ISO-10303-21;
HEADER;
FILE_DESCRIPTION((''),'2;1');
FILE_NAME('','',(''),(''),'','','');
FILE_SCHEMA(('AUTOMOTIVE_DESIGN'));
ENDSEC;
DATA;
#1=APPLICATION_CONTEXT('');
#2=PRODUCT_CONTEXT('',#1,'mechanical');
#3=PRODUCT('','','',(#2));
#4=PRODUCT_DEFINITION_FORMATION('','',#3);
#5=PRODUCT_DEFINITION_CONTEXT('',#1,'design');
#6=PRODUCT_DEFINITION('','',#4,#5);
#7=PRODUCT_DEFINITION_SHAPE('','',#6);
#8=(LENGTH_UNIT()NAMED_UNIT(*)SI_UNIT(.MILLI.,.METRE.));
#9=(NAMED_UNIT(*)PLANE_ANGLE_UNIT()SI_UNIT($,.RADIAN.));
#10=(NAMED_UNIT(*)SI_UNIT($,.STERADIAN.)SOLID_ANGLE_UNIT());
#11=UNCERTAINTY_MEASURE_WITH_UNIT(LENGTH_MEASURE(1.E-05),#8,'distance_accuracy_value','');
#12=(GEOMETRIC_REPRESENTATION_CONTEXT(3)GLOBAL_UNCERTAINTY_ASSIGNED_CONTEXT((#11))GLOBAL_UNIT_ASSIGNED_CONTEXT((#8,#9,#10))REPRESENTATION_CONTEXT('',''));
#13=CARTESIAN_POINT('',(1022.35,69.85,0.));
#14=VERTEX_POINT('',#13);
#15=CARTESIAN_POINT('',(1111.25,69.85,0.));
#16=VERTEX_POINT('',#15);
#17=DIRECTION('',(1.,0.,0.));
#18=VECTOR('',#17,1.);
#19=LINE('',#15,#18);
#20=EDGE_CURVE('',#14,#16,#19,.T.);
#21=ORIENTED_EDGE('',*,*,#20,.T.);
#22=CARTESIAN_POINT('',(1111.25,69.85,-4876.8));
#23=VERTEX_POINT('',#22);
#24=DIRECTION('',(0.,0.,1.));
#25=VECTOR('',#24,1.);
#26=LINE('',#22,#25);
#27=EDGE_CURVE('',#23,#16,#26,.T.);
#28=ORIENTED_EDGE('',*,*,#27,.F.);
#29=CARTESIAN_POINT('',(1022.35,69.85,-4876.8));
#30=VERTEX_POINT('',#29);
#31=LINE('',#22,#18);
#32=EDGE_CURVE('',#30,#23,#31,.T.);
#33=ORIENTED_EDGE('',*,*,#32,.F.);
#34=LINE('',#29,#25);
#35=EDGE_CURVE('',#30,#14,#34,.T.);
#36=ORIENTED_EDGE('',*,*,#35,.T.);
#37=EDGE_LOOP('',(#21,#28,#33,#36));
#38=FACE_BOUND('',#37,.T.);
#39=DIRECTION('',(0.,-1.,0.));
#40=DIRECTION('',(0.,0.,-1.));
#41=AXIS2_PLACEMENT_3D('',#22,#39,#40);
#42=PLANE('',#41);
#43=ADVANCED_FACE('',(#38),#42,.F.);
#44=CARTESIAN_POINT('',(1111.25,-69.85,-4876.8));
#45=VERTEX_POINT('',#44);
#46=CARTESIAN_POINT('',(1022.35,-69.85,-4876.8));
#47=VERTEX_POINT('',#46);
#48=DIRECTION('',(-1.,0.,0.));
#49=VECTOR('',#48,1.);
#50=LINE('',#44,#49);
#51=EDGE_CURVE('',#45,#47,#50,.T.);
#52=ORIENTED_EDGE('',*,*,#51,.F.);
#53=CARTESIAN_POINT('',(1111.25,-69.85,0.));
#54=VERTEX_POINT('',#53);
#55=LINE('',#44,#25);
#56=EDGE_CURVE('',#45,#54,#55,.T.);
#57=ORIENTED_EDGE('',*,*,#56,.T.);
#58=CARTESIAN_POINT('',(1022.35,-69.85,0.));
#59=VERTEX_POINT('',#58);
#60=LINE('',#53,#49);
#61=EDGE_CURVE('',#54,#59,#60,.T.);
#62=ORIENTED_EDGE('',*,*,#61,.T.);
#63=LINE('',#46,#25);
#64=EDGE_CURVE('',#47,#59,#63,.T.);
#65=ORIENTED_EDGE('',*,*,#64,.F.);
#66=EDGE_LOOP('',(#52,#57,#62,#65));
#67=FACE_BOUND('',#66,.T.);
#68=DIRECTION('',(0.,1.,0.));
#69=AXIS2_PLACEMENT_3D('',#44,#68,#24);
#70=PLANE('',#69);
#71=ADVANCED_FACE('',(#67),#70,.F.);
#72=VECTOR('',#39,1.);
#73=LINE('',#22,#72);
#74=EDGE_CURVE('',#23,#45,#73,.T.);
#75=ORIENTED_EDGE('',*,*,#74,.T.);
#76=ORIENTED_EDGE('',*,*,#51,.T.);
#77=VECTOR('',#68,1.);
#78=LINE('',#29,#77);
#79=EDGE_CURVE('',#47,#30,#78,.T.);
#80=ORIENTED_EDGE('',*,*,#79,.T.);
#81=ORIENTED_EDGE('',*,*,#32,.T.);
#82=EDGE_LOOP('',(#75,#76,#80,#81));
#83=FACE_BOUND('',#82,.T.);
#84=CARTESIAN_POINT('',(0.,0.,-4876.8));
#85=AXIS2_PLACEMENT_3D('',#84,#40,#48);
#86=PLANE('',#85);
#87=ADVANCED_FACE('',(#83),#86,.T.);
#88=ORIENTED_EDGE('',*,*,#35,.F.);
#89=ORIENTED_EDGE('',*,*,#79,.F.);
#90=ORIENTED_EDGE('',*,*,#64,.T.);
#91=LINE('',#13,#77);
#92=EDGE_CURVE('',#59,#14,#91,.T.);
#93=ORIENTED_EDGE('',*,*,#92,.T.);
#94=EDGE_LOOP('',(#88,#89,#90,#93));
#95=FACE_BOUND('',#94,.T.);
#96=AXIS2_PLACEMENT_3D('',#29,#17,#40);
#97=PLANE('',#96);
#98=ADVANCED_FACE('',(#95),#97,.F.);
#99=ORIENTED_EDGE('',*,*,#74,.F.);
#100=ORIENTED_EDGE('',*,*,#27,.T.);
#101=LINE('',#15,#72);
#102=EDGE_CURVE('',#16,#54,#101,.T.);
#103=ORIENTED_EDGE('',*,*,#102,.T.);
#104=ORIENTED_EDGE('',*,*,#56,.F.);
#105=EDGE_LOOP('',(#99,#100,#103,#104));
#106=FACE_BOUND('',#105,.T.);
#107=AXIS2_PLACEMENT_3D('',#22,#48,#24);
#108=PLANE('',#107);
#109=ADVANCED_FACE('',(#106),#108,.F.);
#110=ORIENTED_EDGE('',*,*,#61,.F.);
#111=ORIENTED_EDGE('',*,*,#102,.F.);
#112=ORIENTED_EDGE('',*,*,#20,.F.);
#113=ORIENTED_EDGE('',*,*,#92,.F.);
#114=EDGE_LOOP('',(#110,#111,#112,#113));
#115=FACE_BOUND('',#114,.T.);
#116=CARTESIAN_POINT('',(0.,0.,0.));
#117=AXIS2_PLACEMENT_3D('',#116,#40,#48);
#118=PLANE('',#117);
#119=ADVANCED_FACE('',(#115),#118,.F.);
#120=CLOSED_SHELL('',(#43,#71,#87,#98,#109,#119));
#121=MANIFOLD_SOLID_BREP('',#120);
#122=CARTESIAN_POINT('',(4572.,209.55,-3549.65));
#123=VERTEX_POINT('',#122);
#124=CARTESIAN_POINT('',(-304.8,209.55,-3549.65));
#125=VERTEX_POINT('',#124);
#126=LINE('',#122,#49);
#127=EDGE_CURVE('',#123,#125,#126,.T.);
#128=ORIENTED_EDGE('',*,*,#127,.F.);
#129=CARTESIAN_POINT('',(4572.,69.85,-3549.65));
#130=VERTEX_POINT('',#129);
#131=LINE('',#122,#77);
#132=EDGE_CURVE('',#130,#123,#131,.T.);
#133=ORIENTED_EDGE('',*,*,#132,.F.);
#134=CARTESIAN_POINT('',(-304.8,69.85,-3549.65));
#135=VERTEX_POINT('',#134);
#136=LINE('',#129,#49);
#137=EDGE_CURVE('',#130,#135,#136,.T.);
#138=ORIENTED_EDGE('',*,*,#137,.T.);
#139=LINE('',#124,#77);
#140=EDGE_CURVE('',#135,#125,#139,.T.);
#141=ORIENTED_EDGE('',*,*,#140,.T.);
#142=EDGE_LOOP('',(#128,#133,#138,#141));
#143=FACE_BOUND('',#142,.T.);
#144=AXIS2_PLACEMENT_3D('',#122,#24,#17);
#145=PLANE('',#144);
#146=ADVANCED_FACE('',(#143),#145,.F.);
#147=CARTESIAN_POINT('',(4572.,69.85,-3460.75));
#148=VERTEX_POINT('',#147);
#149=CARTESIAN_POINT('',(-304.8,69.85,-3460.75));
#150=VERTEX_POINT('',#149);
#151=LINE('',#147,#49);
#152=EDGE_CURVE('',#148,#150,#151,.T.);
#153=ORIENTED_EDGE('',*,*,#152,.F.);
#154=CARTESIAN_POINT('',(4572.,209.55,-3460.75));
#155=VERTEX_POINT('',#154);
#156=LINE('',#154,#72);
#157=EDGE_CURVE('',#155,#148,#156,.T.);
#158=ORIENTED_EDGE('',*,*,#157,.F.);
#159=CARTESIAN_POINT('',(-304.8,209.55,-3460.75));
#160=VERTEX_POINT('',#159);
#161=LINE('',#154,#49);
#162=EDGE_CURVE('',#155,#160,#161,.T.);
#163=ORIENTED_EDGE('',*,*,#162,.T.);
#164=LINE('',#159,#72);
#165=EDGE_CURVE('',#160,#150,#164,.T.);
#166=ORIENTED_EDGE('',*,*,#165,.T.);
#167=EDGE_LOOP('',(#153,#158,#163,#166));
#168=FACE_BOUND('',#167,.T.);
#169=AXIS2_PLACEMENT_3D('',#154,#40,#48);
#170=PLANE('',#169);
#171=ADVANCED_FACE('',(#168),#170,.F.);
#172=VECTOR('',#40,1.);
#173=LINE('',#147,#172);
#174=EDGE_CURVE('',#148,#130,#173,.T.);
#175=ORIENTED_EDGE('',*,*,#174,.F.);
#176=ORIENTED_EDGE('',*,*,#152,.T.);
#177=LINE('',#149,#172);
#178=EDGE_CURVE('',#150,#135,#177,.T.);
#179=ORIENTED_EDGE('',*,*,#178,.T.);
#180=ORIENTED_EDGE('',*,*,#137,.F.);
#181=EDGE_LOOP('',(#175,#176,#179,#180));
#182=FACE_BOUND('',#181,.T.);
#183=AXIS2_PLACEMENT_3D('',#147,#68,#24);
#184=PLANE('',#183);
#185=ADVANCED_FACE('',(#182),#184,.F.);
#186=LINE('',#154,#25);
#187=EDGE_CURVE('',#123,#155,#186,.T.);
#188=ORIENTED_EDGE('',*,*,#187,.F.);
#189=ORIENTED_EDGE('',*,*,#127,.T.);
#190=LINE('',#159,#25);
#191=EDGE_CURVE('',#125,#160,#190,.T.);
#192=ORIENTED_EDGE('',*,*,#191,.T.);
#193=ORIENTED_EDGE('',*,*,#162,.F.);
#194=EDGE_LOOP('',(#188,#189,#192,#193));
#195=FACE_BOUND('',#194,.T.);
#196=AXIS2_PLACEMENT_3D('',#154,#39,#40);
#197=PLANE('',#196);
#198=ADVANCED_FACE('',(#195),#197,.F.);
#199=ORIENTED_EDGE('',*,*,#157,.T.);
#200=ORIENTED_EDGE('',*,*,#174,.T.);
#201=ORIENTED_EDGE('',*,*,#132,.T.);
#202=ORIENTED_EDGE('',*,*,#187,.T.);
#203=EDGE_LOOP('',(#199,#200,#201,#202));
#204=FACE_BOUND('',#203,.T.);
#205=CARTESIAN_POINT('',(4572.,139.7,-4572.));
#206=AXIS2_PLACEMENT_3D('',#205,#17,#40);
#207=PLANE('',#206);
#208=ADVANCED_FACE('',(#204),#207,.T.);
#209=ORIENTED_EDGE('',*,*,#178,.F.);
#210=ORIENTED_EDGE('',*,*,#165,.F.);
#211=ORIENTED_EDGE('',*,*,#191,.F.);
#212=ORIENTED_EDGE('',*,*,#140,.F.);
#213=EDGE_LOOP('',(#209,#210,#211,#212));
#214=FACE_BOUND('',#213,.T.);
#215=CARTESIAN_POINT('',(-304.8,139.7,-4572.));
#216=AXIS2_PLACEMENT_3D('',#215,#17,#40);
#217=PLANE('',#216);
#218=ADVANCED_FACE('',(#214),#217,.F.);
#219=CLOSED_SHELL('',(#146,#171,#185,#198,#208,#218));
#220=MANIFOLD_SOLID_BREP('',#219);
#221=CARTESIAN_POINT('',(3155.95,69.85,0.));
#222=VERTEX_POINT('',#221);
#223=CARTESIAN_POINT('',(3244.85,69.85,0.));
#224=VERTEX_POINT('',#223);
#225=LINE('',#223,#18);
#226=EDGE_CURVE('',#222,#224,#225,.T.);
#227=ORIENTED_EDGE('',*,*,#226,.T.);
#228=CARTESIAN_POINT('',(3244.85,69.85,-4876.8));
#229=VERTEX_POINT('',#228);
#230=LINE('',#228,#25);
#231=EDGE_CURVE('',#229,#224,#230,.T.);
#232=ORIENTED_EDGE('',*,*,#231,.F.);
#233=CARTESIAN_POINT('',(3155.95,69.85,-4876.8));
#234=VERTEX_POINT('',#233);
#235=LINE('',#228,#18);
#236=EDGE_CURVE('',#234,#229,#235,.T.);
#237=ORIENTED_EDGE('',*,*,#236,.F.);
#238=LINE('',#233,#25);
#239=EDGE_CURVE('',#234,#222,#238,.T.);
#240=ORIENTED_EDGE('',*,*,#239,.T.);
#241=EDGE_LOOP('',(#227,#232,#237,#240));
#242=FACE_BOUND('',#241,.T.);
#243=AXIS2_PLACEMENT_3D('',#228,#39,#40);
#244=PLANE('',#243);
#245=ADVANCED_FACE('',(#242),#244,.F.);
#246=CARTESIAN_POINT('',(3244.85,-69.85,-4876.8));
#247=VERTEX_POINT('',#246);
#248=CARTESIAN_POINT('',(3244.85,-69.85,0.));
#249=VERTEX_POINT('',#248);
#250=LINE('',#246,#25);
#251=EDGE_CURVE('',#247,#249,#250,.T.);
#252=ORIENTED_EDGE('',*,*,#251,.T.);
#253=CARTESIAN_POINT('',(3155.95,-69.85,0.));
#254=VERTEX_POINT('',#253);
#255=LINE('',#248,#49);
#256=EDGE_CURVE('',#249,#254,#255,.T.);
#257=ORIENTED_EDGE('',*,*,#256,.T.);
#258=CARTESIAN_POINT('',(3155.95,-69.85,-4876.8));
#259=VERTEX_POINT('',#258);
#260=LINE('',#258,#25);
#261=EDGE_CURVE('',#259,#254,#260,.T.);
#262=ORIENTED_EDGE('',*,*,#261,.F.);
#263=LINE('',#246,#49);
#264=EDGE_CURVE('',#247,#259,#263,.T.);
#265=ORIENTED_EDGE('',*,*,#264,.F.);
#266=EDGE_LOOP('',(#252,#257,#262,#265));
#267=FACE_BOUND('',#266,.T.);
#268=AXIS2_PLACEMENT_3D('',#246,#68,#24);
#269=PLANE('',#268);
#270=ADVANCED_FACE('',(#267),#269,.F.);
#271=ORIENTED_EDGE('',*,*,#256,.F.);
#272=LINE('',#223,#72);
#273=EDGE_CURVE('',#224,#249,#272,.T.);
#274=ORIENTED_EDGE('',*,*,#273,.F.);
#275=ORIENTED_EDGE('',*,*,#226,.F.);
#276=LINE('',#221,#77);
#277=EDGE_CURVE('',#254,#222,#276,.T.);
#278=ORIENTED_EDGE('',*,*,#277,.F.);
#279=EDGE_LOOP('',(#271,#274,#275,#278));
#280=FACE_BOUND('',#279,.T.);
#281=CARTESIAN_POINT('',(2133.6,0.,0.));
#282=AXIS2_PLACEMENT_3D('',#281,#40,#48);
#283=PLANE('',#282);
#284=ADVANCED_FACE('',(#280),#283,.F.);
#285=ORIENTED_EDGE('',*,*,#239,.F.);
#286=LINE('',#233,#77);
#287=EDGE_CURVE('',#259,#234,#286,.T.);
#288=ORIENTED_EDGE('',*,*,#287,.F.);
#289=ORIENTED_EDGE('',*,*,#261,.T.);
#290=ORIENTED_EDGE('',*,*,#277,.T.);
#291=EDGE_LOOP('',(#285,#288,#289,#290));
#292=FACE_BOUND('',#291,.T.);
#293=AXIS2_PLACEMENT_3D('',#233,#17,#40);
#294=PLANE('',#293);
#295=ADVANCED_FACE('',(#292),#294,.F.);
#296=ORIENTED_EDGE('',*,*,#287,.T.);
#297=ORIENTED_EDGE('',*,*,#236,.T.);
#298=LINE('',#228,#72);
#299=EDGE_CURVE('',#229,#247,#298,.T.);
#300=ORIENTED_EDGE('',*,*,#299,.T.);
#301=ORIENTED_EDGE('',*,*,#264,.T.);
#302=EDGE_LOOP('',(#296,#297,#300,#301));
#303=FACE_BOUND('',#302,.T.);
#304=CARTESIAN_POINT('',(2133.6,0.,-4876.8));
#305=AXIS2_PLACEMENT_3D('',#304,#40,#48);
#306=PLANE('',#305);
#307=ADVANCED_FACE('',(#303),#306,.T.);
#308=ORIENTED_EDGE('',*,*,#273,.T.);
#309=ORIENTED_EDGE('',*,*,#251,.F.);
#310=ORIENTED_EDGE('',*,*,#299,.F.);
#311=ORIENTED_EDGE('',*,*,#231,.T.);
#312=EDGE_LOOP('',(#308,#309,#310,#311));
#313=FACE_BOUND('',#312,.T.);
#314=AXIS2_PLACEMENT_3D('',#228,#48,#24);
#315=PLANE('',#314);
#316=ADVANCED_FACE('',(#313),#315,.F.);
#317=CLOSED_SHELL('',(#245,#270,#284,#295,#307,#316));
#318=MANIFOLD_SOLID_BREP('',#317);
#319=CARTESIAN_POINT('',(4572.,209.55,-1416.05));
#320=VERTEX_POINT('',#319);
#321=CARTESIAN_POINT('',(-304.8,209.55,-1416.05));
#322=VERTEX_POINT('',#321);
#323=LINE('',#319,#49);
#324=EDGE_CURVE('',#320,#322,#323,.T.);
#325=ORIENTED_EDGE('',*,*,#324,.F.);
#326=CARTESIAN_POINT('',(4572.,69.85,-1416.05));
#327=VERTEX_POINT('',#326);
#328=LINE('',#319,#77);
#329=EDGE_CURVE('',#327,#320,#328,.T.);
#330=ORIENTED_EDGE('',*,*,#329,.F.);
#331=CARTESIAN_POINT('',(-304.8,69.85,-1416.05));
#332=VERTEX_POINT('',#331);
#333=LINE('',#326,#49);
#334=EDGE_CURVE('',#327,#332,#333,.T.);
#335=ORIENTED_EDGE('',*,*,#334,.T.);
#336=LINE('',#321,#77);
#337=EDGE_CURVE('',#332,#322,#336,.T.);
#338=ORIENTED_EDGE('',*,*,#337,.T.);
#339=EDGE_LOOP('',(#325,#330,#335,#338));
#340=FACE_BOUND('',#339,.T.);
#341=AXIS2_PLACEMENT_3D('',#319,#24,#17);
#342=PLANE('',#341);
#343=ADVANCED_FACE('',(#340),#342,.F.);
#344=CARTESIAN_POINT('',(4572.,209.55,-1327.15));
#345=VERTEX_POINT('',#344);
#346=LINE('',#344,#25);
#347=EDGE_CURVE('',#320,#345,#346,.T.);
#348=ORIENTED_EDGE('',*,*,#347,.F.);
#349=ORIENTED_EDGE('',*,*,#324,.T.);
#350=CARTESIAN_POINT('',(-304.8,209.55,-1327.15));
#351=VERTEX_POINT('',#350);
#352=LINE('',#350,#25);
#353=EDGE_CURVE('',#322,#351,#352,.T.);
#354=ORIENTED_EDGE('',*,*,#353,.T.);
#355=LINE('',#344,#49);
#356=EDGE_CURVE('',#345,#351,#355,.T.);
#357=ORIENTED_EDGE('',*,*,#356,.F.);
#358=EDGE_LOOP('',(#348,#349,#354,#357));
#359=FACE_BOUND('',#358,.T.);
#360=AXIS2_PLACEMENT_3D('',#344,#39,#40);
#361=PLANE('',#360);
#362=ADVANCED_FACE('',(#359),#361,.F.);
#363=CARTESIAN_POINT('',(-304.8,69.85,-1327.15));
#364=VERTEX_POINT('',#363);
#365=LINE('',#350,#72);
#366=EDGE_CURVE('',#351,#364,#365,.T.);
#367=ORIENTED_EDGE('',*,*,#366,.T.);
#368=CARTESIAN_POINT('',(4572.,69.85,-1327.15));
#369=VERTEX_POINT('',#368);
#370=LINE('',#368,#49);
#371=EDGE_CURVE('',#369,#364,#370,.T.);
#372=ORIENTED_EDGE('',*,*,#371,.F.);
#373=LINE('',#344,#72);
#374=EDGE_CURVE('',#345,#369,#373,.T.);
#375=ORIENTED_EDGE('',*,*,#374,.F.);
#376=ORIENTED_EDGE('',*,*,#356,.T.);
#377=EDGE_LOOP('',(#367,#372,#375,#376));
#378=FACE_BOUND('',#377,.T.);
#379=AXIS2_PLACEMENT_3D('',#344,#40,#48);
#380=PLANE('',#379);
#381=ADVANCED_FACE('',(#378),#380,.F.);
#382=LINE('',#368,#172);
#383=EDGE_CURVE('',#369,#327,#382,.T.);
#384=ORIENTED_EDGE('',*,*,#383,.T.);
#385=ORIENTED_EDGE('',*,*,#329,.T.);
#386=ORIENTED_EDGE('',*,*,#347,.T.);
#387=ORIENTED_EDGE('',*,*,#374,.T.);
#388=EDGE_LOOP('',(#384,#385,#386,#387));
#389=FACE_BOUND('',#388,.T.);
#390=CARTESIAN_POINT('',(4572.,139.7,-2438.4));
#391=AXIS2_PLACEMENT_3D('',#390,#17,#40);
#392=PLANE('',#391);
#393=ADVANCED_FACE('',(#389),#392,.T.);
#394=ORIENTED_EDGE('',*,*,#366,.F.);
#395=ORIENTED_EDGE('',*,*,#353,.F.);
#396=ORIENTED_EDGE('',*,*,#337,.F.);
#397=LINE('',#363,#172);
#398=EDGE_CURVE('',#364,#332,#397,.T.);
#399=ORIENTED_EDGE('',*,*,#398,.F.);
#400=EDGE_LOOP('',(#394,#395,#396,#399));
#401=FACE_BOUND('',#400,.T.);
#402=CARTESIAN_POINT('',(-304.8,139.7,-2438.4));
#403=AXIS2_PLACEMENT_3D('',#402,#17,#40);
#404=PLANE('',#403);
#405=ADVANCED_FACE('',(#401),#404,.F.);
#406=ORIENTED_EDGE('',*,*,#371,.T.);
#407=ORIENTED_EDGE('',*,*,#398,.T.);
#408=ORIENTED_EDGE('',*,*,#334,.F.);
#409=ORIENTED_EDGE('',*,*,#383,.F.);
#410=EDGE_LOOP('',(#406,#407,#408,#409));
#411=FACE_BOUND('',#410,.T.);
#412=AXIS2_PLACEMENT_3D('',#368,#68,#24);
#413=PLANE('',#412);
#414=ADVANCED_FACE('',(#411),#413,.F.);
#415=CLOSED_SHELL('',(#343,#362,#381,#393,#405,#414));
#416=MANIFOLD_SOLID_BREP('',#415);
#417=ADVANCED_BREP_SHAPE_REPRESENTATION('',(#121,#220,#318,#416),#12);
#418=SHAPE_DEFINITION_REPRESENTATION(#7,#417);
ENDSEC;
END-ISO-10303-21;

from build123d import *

# Parameters (mm, degrees)
SKETCH1_W              = 88.9
SKETCH1_H              = 139.7
PROFILES_4X6_1_DEPTH   = 4876.8
SKETCH1_ON_SEGMENT_2_W = 88.9
SKETCH1_ON_SEGMENT_2_H = 139.7
PROFILES_4X6_1_2_DEPTH = 4876.8
SKETCH1_ON_SEGMENT_3_W = 88.9
SKETCH1_ON_SEGMENT_3_H = 139.7
PROFILES_4X6_1_3_DEPTH = 4876.8
SKETCH1_ON_SEGMENT_4_W = 88.9
SKETCH1_ON_SEGMENT_4_H = 139.7
PROFILES_4X6_1_4_DEPTH = 4876.8


with BuildPart() as part:
    # Sketch1 → Profiles 4X6(1) (new body)
    with BuildSketch(Plane(origin=(1066.8, 0, 0), x_dir=(-1, 0, 0), z_dir=(0, 0, -1))):
        Rectangle(SKETCH1_W, SKETCH1_H)
    extrude(amount=PROFILES_4X6_1_DEPTH)


with BuildPart() as body_2:
    # Sketch1 on segment 2 (carried to segment 2) → Profiles 4X6_1 2 (new body)
    with BuildSketch(Plane(origin=(3200.4, 0, 0), x_dir=(-1, 0, 0), z_dir=(0, 0, -1))):
        Rectangle(SKETCH1_ON_SEGMENT_2_W, SKETCH1_ON_SEGMENT_2_H)
    extrude(amount=PROFILES_4X6_1_2_DEPTH)


with BuildPart() as body_3:
    # Sketch1 on segment 3 (carried to segment 3) → Profiles 4X6_1 3 (new body)
    with BuildSketch(Plane(origin=(-304.8, 139.7, -3505.2), x_dir=(0, 0, -1), z_dir=(1, 0, 0))):
        Rectangle(SKETCH1_ON_SEGMENT_3_W, SKETCH1_ON_SEGMENT_3_H)
    extrude(amount=PROFILES_4X6_1_3_DEPTH)


with BuildPart() as body_4:
    # Sketch1 on segment 4 (carried to segment 4) → Profiles 4X6_1 4 (new body)
    with BuildSketch(Plane(origin=(4572, 139.7, -1371.6), x_dir=(0, 0, 1), z_dir=(-1, 0, 0))):
        Rectangle(SKETCH1_ON_SEGMENT_4_W, SKETCH1_ON_SEGMENT_4_H)
    extrude(amount=PROFILES_4X6_1_4_DEPTH)


solid = Compound([part.part, body_2.part, body_3.part, body_4.part])
